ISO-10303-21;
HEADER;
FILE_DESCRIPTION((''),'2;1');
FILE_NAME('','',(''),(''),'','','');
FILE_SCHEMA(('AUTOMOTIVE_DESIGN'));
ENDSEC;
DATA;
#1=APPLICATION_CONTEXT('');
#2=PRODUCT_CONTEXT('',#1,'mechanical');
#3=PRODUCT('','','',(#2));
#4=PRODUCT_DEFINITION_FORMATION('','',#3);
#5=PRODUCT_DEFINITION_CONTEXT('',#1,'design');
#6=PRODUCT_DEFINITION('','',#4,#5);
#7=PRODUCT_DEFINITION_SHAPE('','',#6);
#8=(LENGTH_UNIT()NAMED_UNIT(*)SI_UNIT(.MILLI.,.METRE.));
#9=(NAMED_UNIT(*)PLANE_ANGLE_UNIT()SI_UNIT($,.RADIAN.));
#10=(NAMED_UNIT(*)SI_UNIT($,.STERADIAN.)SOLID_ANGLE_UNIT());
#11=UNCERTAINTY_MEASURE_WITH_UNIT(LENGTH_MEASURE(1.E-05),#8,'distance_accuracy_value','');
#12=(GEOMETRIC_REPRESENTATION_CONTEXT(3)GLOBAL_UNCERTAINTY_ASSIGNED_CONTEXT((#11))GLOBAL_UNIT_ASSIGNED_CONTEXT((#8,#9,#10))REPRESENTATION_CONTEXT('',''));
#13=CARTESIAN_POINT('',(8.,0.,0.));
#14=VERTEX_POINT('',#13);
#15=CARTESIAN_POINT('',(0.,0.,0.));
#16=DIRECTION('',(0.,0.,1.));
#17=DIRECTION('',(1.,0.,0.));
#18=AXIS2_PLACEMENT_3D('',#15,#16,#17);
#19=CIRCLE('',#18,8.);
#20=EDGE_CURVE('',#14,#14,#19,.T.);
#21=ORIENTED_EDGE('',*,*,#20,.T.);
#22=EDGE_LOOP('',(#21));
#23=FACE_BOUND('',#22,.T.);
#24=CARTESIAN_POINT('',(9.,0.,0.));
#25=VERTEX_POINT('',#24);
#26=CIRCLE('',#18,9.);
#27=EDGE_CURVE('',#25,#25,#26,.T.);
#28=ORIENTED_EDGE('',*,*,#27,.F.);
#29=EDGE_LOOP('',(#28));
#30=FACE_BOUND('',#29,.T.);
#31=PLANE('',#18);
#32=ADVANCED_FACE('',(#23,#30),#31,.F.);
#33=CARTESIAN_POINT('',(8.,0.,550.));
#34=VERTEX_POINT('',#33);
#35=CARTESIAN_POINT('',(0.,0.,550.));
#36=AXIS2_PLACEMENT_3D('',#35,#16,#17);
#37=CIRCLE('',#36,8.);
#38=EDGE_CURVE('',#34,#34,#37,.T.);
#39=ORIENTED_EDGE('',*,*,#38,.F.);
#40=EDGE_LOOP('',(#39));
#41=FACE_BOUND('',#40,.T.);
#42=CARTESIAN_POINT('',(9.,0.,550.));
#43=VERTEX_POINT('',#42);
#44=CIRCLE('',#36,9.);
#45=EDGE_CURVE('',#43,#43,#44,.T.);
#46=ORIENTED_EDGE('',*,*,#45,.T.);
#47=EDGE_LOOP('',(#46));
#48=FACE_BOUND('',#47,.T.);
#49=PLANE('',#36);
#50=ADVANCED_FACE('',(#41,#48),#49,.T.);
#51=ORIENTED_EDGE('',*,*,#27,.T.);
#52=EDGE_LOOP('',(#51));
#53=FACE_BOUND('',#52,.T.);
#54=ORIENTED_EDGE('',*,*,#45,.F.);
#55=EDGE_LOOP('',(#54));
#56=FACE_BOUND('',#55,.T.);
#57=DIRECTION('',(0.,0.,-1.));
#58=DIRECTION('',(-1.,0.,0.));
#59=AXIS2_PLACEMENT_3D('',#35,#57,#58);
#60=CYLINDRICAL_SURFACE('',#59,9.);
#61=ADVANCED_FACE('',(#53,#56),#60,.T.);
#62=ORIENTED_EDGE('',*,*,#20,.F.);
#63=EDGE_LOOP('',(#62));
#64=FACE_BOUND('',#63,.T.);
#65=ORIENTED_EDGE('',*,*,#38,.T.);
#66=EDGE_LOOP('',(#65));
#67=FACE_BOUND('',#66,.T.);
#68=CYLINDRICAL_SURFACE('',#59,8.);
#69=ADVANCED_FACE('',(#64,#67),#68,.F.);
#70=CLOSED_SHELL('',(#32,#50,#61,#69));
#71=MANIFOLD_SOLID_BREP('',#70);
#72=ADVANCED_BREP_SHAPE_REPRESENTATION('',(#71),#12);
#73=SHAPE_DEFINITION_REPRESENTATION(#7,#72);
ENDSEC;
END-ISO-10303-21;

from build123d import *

# Parameters (mm, degrees)
SKETCH1_R           = 9
SKETCH1_R_2         = 8
BOSS_EXTRUDE1_DEPTH = 550


with BuildPart() as part:
    # Sketch1 → Boss-Extrude1 (new body)
    with BuildSketch(Plane.XY):
        Circle(SKETCH1_R)
        Circle(SKETCH1_R_2, mode=Mode.SUBTRACT)
    extrude(amount=BOSS_EXTRUDE1_DEPTH)


solid = part.part
